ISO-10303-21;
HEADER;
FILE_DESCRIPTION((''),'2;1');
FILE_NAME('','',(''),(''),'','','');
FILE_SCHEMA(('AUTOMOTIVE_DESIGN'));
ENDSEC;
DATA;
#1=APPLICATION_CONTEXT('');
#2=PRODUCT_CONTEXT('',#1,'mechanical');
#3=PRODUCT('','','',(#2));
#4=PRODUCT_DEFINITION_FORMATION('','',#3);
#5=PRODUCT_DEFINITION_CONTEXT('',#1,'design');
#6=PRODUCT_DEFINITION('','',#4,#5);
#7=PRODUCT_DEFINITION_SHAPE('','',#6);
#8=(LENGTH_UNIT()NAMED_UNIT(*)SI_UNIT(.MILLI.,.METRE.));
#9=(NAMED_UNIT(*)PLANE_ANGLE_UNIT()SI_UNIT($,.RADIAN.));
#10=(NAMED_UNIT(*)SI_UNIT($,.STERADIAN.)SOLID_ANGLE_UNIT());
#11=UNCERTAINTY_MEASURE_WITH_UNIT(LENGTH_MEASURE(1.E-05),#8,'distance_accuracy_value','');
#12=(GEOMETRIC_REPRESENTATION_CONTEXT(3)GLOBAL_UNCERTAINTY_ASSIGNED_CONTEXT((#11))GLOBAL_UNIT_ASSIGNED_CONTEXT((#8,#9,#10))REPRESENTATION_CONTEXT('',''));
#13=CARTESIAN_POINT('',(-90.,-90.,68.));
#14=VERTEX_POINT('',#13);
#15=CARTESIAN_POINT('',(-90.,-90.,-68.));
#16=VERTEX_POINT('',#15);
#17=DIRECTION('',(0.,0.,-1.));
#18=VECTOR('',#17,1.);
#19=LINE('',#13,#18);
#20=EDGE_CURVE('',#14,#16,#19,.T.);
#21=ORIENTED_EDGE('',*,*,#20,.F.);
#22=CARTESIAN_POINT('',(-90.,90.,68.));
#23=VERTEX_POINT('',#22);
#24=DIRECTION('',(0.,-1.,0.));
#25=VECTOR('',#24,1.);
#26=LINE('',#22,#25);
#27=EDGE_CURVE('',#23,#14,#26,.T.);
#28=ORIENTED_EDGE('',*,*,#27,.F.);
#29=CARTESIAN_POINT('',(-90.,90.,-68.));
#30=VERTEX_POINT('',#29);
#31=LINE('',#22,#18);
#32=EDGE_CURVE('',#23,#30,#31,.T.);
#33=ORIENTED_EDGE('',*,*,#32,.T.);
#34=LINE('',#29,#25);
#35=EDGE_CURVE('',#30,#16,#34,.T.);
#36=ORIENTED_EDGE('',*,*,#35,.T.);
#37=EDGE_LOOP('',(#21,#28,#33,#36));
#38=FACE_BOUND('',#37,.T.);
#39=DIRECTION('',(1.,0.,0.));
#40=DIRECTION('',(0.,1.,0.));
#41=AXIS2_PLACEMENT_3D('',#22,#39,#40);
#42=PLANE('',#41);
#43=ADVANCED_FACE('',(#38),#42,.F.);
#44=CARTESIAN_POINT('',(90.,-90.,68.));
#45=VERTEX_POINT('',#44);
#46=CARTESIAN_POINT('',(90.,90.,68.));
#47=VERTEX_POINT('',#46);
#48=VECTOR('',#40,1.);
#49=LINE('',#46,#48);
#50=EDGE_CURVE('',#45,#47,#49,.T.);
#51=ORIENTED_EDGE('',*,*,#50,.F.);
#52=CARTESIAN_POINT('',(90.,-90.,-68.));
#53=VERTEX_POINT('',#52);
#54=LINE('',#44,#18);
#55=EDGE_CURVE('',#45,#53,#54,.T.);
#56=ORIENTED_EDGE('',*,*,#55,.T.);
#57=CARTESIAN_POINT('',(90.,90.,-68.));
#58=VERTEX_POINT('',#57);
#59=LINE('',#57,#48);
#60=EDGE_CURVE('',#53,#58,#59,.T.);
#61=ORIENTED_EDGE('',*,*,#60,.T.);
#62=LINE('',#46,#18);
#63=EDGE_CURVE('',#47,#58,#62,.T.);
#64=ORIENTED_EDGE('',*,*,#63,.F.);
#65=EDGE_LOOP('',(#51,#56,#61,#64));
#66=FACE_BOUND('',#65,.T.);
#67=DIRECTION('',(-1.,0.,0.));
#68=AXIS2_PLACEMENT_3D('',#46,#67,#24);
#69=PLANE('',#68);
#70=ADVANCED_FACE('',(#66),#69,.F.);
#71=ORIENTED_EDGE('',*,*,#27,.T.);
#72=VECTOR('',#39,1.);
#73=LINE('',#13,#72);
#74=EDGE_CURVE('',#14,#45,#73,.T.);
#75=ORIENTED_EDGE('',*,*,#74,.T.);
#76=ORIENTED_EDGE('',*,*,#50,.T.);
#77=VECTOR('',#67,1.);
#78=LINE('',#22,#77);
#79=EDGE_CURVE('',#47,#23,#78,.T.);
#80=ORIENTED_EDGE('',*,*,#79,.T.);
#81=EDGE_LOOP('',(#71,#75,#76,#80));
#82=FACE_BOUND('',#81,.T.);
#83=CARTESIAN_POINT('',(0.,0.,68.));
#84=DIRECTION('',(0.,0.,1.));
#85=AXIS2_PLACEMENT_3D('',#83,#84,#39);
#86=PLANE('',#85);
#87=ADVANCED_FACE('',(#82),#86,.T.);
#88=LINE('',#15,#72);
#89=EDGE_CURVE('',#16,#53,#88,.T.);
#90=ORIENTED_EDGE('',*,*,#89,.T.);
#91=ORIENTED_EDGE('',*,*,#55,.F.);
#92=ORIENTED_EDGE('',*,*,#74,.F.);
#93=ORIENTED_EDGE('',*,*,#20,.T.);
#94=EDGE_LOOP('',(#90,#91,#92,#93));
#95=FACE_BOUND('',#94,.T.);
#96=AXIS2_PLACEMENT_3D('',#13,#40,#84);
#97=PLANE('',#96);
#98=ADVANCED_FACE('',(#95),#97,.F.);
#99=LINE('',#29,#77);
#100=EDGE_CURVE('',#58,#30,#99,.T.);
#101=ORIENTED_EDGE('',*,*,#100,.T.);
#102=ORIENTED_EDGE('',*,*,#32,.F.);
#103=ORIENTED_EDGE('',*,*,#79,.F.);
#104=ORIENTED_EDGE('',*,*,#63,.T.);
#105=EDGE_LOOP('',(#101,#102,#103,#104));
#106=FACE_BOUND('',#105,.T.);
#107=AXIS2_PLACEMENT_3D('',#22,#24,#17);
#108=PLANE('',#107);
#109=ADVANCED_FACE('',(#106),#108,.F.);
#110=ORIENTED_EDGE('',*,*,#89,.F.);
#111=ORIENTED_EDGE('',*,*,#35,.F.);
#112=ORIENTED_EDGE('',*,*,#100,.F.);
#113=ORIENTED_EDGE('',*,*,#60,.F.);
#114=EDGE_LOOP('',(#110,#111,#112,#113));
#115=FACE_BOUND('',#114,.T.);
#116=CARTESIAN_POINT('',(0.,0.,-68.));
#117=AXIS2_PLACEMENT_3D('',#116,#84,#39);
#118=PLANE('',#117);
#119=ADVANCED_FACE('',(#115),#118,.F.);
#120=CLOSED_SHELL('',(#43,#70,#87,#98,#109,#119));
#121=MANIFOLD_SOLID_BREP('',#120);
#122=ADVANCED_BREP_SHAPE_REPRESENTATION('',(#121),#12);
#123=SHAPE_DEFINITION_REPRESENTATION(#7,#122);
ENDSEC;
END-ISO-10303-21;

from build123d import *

# Parameters (mm, degrees)
SKETCH1_W           = 180
SKETCH1_H           = 180
BOSS_EXTRUDE1_DEPTH = 68


with BuildPart() as part:
    # Sketch1 → Boss-Extrude1 (new body, symmetric)
    with BuildSketch(Plane.XY):
        Rectangle(SKETCH1_W, SKETCH1_H)
    extrude(amount=BOSS_EXTRUDE1_DEPTH, both=True)


solid = part.part
